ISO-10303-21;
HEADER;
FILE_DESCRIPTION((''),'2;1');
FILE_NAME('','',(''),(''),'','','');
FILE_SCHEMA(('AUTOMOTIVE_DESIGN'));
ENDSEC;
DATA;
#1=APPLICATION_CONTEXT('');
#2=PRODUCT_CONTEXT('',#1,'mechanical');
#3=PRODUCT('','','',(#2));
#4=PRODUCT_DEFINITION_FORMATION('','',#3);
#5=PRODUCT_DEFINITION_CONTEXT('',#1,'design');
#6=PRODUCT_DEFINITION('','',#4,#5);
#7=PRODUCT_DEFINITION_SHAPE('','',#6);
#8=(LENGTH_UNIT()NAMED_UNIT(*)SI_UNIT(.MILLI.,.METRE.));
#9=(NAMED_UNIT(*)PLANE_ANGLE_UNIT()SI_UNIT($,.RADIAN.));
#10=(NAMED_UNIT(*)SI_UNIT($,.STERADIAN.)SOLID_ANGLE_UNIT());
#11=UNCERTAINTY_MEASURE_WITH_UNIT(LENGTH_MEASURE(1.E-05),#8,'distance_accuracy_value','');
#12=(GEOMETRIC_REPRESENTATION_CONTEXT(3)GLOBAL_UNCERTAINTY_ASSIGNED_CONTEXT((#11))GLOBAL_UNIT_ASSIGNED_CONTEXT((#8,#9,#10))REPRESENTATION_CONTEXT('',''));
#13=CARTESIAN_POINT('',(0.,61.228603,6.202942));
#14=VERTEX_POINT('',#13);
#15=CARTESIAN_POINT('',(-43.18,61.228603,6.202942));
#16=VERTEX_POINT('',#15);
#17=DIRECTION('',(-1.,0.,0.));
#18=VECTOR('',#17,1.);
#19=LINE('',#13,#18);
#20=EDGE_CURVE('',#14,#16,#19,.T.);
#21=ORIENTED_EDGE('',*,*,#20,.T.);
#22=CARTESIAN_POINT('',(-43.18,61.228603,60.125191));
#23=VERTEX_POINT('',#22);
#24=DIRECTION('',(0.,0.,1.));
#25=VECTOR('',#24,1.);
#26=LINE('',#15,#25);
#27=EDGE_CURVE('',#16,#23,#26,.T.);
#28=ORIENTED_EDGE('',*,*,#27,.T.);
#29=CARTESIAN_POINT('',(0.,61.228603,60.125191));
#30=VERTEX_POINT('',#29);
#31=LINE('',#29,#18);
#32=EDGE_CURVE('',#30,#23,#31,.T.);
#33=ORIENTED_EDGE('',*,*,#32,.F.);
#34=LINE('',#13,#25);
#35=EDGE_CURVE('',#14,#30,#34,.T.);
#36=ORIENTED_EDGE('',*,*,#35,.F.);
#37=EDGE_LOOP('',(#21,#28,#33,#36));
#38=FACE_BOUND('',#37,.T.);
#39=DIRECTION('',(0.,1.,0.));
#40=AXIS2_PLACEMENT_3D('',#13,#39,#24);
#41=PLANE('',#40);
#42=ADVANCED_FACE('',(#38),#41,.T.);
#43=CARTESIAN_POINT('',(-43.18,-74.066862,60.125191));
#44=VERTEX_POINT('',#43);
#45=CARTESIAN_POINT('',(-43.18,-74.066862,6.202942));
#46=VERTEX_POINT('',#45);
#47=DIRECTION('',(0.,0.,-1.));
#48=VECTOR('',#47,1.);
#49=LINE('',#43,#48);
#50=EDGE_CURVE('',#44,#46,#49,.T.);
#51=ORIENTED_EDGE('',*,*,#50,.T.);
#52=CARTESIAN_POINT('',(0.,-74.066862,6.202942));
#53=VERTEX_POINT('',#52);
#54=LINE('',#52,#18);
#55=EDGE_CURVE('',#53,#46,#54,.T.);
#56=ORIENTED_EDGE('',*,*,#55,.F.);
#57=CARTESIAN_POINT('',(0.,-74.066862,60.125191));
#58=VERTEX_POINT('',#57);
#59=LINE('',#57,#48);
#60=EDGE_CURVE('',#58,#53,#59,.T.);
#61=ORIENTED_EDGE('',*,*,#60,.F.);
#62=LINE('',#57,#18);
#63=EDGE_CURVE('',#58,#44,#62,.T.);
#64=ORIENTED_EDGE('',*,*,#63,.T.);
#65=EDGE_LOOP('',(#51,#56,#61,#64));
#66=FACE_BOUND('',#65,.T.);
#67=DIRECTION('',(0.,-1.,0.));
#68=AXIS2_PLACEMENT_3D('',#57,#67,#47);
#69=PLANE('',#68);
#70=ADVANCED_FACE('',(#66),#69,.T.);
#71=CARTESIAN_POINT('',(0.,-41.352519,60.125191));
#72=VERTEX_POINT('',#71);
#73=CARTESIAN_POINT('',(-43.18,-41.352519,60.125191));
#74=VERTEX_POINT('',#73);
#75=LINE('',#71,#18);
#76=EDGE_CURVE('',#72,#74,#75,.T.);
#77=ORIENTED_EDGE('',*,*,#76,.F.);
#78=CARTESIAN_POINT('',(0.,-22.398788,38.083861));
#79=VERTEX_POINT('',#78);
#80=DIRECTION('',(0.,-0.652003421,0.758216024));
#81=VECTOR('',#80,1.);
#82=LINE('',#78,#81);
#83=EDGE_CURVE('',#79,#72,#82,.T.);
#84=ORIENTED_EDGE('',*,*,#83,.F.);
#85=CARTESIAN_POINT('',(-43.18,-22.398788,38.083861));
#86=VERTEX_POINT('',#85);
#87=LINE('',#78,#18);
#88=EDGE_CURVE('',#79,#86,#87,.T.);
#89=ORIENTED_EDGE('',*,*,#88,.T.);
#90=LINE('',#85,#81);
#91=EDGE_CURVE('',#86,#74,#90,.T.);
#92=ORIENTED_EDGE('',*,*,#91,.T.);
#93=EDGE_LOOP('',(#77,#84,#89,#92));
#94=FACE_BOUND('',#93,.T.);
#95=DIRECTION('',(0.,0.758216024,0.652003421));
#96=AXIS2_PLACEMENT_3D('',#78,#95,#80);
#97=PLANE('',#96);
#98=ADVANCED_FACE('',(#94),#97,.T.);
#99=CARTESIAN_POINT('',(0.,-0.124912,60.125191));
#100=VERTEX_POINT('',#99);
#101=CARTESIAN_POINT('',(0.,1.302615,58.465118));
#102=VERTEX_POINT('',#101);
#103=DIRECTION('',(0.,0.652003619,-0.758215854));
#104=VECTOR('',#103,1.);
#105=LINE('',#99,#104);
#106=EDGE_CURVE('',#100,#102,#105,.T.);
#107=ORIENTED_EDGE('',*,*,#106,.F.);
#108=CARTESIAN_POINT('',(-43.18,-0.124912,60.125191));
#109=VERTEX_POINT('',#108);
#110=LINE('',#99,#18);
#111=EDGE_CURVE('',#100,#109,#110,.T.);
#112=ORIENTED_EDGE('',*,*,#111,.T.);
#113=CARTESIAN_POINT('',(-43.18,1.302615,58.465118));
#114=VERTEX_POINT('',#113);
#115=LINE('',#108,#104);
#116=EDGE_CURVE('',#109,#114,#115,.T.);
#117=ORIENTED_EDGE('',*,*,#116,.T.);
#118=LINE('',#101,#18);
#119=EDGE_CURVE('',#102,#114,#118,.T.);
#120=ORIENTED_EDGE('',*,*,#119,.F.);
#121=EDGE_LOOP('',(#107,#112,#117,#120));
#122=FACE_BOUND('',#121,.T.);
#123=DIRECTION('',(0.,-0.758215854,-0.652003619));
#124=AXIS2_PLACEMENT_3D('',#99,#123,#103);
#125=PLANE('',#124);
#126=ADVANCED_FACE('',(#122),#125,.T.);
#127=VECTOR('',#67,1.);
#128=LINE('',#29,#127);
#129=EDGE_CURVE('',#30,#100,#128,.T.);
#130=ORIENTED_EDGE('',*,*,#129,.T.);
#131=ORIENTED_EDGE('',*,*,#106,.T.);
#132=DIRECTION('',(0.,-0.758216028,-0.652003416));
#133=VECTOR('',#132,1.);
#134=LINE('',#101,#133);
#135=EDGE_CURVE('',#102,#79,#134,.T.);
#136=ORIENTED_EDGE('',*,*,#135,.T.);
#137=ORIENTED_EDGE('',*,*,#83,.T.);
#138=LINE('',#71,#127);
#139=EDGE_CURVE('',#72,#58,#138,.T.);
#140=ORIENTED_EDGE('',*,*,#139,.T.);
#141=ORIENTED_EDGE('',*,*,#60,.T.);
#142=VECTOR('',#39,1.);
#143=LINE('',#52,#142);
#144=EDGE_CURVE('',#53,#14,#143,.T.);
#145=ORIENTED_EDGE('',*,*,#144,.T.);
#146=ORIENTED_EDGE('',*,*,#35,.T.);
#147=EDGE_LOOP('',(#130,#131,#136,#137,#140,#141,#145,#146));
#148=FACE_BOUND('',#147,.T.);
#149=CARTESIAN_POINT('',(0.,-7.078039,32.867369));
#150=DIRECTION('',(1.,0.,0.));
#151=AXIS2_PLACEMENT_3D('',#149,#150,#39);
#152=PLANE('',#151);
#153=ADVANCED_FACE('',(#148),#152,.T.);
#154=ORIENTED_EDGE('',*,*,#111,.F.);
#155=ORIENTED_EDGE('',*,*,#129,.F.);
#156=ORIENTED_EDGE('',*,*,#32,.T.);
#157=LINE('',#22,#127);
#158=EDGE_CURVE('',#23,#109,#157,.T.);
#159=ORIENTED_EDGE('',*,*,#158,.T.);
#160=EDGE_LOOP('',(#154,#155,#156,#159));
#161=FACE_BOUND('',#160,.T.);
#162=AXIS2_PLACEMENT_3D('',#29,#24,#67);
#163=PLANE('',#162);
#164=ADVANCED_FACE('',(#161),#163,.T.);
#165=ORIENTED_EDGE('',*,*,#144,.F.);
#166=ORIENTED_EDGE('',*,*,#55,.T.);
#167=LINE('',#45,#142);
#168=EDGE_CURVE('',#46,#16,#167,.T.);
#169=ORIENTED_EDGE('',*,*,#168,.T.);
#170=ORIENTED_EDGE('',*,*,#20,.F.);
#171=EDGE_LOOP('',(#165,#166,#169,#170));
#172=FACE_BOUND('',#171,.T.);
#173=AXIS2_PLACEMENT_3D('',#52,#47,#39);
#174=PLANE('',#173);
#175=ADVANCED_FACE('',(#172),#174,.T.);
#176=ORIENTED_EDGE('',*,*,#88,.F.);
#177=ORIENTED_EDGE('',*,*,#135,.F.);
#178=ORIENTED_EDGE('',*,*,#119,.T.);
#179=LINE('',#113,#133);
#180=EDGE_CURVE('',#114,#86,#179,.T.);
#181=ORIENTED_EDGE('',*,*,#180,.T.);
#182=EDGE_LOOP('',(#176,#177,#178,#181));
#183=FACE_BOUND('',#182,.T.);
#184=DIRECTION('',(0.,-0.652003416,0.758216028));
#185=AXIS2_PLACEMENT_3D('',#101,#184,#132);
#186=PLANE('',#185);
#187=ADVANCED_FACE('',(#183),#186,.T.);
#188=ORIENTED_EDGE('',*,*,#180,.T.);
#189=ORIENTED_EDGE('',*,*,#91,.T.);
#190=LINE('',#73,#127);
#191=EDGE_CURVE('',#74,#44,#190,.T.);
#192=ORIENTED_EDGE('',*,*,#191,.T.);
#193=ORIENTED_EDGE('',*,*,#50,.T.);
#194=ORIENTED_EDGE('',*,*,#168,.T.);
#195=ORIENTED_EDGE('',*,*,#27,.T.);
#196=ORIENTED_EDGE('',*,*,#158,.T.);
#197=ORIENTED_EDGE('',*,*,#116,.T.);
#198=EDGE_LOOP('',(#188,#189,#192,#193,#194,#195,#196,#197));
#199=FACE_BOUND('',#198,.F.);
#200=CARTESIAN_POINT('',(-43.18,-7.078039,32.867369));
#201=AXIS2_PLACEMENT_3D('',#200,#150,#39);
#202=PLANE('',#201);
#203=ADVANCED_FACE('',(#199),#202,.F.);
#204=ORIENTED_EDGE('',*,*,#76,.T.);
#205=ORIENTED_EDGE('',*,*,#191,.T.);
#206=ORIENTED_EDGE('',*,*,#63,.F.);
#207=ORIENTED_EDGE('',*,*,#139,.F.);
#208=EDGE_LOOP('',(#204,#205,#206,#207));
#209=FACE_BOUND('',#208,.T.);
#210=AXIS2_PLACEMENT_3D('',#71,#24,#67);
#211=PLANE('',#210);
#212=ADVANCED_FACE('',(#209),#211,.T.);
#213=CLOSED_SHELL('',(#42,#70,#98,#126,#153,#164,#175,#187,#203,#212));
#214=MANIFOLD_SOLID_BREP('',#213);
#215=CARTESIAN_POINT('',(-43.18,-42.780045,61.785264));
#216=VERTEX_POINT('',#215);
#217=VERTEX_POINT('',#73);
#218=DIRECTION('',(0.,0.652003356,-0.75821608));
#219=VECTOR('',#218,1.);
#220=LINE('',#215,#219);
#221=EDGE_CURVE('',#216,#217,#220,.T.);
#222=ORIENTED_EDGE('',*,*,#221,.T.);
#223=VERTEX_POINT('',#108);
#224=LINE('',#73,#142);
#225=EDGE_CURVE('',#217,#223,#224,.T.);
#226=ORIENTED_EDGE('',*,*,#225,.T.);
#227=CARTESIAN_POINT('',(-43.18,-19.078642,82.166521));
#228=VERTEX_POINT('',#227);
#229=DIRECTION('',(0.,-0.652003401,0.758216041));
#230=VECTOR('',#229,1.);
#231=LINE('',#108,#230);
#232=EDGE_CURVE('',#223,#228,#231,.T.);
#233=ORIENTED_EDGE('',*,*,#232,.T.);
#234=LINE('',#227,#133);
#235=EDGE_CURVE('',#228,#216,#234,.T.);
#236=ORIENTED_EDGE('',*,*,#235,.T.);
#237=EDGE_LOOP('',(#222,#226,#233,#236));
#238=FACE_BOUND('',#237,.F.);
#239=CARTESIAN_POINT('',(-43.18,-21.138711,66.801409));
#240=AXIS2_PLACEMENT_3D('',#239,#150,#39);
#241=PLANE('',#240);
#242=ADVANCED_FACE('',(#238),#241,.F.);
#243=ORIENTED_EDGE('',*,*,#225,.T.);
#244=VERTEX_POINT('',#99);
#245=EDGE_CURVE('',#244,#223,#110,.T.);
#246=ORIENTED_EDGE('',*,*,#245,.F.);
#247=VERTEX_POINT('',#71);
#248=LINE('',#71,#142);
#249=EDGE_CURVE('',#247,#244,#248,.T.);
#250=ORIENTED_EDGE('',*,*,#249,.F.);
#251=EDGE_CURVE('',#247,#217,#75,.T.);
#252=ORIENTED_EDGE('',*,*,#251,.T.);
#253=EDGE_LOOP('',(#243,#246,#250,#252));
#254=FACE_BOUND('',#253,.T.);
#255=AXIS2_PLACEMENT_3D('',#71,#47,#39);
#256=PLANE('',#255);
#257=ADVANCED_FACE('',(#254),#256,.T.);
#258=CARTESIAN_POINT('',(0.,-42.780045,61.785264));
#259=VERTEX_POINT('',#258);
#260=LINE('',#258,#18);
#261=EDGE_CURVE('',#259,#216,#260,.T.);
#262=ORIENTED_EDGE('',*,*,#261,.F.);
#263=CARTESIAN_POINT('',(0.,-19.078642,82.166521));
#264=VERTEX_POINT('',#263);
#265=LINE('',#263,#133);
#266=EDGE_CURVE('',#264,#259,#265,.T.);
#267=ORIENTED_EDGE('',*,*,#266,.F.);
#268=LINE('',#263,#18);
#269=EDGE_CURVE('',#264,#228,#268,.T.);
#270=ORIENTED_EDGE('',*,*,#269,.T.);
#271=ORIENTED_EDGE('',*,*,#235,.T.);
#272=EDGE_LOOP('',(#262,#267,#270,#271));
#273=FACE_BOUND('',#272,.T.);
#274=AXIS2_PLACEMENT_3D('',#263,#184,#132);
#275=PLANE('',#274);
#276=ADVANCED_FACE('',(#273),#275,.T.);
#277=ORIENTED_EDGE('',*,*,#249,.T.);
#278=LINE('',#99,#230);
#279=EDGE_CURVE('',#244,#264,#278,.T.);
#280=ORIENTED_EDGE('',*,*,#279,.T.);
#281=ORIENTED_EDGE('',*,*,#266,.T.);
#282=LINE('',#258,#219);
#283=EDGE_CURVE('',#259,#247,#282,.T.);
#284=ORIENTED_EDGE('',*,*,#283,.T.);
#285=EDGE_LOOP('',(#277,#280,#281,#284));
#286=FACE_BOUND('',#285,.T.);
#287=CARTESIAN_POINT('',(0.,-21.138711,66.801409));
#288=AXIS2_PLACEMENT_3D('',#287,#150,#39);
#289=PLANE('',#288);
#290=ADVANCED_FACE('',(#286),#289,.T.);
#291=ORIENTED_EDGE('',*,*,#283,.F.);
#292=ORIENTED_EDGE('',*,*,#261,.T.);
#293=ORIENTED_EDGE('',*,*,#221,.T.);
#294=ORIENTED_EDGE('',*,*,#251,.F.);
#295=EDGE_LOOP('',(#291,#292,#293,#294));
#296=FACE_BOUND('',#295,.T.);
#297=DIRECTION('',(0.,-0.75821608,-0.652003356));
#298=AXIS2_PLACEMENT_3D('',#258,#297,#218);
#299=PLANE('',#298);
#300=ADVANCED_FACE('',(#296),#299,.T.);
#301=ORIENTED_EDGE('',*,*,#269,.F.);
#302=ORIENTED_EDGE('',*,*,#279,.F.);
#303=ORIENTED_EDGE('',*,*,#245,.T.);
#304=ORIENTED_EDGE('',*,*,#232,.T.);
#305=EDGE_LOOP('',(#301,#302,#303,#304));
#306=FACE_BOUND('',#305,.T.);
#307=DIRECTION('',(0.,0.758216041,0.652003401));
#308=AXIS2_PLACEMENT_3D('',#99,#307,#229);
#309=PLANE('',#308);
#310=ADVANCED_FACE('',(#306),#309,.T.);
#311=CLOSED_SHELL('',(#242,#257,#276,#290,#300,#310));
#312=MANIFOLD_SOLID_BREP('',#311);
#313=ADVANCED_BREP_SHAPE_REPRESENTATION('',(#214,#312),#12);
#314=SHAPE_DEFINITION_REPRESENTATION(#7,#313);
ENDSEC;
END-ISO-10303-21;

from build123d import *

# Parameters (mm, degrees)
F1_DEPTH = 43.18


with BuildPart() as f1:
    # F0 (on Right) → F1 (new body)
    with BuildSketch(Plane.YZ):
        Polygon((-41.352519, 60.125191), (-74.066862, 60.125191), (-74.066862, 6.202942), (61.228603, 6.202942), (61.228603, 60.125191), (-0.124912, 60.125191), (1.302615, 58.465118), (-22.398788, 38.083861), align=None)
        Polygon((-42.780045, 61.785264), (-41.352519, 60.125191), (-20.738715, 60.125191), (-0.124912, 60.125191), (-19.078642, 82.166521), align=None)
    extrude(amount=-F1_DEPTH)


solid = f1.part
